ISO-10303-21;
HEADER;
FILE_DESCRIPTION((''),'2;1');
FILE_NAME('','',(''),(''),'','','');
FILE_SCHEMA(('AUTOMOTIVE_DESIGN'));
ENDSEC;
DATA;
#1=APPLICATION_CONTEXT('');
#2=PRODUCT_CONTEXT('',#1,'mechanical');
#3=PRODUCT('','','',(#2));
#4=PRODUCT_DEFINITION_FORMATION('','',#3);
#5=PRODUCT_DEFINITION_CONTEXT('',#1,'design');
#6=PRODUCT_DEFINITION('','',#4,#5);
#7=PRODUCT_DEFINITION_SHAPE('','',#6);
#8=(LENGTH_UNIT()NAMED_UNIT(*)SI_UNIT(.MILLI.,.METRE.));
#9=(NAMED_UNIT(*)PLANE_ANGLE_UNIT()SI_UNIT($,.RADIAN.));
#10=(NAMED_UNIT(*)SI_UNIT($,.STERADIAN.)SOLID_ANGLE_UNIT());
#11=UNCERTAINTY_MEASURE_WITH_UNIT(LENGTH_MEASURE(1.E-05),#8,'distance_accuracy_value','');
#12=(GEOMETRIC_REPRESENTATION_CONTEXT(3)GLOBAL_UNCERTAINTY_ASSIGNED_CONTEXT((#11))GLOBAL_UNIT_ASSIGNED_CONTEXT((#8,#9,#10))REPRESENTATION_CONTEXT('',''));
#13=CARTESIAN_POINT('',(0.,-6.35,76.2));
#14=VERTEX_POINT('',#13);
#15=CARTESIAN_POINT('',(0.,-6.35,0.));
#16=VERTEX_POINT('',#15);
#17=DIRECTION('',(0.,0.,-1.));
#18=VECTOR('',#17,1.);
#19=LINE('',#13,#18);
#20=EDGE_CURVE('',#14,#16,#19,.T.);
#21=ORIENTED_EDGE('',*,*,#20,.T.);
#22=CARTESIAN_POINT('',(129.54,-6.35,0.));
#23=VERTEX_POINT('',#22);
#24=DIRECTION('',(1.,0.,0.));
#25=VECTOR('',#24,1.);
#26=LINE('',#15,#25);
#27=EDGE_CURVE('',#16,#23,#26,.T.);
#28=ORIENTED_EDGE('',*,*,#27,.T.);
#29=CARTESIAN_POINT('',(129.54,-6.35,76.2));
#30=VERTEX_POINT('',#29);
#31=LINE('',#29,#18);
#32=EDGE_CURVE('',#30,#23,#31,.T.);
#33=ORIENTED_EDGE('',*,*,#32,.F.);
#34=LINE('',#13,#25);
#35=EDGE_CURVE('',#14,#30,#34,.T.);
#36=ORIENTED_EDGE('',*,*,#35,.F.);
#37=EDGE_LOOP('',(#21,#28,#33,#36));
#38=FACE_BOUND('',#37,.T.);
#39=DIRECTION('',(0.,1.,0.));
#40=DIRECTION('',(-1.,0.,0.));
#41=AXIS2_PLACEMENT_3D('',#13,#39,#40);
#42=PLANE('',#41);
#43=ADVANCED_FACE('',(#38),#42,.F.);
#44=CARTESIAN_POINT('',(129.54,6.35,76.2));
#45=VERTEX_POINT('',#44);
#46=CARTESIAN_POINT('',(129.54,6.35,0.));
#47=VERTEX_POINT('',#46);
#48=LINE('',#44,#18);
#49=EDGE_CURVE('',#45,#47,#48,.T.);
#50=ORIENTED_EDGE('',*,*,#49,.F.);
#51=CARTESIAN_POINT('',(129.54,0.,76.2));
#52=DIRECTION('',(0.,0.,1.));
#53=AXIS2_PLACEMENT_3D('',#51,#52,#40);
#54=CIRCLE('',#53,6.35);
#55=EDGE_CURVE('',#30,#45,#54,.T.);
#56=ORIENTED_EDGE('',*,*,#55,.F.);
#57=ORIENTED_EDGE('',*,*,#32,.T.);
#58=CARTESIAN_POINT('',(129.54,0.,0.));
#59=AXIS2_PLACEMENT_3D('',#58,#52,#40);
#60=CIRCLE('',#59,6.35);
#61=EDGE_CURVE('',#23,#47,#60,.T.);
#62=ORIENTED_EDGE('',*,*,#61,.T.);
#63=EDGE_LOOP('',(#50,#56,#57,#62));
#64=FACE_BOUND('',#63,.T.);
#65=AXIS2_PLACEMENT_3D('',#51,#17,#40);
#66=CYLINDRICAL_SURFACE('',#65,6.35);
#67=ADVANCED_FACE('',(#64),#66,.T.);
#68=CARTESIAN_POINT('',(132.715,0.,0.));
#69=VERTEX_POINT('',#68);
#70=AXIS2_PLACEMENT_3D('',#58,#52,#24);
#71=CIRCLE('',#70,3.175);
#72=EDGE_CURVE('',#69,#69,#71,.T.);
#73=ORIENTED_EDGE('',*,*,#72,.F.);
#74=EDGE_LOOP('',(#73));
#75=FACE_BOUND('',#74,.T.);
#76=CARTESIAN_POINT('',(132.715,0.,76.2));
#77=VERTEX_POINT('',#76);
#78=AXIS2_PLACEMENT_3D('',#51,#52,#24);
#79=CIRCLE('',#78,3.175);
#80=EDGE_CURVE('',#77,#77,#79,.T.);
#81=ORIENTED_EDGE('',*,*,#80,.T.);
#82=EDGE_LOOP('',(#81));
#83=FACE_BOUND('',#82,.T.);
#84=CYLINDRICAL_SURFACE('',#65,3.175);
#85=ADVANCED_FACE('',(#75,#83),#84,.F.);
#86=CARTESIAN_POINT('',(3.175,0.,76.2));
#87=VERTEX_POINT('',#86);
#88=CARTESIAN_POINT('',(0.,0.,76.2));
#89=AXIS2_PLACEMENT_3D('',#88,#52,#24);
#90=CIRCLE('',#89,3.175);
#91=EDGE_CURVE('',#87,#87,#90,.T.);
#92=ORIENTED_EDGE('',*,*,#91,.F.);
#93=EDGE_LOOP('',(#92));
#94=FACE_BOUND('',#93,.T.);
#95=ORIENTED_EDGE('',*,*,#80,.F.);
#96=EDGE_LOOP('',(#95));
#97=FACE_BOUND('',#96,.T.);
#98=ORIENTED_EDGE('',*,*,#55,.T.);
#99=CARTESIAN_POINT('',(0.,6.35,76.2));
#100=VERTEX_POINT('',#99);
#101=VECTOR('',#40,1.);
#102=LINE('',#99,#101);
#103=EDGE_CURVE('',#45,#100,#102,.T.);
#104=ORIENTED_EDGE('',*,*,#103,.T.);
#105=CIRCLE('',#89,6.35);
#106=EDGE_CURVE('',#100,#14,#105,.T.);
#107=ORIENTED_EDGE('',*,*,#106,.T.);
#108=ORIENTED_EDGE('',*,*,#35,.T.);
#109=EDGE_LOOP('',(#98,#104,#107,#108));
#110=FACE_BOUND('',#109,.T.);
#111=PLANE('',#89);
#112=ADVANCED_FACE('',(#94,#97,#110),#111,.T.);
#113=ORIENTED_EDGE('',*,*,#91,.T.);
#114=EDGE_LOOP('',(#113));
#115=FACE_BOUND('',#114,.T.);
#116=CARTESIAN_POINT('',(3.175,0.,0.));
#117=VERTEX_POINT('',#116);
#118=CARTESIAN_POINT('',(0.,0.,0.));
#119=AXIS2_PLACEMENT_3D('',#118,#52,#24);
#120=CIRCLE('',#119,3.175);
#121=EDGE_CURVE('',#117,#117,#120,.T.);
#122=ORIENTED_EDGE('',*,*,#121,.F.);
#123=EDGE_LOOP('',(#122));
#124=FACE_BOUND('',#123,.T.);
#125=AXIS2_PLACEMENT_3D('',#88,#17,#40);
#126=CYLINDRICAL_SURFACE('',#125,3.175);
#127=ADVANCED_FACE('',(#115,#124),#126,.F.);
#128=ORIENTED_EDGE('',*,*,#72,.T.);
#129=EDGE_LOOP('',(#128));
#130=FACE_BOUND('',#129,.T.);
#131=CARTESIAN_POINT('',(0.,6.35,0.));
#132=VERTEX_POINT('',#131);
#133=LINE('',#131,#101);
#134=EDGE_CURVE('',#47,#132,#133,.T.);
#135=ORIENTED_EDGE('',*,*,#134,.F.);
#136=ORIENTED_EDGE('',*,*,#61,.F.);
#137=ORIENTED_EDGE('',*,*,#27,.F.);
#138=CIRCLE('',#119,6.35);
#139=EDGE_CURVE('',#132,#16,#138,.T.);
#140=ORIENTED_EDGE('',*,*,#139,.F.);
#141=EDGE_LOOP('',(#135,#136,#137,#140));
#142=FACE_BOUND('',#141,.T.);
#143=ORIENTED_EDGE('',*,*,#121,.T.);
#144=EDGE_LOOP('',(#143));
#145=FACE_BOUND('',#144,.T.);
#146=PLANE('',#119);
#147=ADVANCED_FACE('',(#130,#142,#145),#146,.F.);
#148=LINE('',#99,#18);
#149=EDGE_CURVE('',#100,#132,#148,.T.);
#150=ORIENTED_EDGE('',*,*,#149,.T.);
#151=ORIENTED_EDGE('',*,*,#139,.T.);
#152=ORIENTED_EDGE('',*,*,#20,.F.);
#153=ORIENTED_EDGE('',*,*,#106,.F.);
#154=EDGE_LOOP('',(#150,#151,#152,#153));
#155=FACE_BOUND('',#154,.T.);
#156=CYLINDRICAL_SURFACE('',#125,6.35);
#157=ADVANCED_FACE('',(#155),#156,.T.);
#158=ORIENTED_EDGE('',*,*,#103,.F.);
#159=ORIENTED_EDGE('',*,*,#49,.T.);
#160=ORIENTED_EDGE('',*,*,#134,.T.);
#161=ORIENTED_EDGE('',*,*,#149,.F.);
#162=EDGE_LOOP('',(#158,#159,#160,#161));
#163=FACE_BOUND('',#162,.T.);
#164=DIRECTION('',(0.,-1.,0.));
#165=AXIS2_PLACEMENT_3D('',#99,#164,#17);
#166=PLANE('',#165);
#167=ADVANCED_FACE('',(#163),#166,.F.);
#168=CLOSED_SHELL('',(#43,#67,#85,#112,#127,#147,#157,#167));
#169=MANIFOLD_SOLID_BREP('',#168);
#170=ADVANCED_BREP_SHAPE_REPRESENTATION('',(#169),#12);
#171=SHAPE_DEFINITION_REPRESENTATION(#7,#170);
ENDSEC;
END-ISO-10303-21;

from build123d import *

# Parameters (mm, degrees)
SKETCH1_R           = 3.175
BOSS_EXTRUDE1_DEPTH = 76.2


with BuildPart() as part:
    # Sketch1 → Boss-Extrude1 (new body)
    with BuildSketch(Plane.XY):
        with BuildLine():
            Line((0, 6.35), (129.54, 6.35))
            ThreePointArc((129.54, 6.35), (135.89, 0), (129.54, -6.35))
            Line((129.54, -6.35), (0, -6.35))
            ThreePointArc((0, -6.35), (-6.35, 0), (0, 6.35))
        make_face()
        Circle(SKETCH1_R, mode=Mode.SUBTRACT)
        with Locations((129.54, 0)):
            Circle(SKETCH1_R, mode=Mode.SUBTRACT)
    extrude(amount=BOSS_EXTRUDE1_DEPTH)


solid = part.part
